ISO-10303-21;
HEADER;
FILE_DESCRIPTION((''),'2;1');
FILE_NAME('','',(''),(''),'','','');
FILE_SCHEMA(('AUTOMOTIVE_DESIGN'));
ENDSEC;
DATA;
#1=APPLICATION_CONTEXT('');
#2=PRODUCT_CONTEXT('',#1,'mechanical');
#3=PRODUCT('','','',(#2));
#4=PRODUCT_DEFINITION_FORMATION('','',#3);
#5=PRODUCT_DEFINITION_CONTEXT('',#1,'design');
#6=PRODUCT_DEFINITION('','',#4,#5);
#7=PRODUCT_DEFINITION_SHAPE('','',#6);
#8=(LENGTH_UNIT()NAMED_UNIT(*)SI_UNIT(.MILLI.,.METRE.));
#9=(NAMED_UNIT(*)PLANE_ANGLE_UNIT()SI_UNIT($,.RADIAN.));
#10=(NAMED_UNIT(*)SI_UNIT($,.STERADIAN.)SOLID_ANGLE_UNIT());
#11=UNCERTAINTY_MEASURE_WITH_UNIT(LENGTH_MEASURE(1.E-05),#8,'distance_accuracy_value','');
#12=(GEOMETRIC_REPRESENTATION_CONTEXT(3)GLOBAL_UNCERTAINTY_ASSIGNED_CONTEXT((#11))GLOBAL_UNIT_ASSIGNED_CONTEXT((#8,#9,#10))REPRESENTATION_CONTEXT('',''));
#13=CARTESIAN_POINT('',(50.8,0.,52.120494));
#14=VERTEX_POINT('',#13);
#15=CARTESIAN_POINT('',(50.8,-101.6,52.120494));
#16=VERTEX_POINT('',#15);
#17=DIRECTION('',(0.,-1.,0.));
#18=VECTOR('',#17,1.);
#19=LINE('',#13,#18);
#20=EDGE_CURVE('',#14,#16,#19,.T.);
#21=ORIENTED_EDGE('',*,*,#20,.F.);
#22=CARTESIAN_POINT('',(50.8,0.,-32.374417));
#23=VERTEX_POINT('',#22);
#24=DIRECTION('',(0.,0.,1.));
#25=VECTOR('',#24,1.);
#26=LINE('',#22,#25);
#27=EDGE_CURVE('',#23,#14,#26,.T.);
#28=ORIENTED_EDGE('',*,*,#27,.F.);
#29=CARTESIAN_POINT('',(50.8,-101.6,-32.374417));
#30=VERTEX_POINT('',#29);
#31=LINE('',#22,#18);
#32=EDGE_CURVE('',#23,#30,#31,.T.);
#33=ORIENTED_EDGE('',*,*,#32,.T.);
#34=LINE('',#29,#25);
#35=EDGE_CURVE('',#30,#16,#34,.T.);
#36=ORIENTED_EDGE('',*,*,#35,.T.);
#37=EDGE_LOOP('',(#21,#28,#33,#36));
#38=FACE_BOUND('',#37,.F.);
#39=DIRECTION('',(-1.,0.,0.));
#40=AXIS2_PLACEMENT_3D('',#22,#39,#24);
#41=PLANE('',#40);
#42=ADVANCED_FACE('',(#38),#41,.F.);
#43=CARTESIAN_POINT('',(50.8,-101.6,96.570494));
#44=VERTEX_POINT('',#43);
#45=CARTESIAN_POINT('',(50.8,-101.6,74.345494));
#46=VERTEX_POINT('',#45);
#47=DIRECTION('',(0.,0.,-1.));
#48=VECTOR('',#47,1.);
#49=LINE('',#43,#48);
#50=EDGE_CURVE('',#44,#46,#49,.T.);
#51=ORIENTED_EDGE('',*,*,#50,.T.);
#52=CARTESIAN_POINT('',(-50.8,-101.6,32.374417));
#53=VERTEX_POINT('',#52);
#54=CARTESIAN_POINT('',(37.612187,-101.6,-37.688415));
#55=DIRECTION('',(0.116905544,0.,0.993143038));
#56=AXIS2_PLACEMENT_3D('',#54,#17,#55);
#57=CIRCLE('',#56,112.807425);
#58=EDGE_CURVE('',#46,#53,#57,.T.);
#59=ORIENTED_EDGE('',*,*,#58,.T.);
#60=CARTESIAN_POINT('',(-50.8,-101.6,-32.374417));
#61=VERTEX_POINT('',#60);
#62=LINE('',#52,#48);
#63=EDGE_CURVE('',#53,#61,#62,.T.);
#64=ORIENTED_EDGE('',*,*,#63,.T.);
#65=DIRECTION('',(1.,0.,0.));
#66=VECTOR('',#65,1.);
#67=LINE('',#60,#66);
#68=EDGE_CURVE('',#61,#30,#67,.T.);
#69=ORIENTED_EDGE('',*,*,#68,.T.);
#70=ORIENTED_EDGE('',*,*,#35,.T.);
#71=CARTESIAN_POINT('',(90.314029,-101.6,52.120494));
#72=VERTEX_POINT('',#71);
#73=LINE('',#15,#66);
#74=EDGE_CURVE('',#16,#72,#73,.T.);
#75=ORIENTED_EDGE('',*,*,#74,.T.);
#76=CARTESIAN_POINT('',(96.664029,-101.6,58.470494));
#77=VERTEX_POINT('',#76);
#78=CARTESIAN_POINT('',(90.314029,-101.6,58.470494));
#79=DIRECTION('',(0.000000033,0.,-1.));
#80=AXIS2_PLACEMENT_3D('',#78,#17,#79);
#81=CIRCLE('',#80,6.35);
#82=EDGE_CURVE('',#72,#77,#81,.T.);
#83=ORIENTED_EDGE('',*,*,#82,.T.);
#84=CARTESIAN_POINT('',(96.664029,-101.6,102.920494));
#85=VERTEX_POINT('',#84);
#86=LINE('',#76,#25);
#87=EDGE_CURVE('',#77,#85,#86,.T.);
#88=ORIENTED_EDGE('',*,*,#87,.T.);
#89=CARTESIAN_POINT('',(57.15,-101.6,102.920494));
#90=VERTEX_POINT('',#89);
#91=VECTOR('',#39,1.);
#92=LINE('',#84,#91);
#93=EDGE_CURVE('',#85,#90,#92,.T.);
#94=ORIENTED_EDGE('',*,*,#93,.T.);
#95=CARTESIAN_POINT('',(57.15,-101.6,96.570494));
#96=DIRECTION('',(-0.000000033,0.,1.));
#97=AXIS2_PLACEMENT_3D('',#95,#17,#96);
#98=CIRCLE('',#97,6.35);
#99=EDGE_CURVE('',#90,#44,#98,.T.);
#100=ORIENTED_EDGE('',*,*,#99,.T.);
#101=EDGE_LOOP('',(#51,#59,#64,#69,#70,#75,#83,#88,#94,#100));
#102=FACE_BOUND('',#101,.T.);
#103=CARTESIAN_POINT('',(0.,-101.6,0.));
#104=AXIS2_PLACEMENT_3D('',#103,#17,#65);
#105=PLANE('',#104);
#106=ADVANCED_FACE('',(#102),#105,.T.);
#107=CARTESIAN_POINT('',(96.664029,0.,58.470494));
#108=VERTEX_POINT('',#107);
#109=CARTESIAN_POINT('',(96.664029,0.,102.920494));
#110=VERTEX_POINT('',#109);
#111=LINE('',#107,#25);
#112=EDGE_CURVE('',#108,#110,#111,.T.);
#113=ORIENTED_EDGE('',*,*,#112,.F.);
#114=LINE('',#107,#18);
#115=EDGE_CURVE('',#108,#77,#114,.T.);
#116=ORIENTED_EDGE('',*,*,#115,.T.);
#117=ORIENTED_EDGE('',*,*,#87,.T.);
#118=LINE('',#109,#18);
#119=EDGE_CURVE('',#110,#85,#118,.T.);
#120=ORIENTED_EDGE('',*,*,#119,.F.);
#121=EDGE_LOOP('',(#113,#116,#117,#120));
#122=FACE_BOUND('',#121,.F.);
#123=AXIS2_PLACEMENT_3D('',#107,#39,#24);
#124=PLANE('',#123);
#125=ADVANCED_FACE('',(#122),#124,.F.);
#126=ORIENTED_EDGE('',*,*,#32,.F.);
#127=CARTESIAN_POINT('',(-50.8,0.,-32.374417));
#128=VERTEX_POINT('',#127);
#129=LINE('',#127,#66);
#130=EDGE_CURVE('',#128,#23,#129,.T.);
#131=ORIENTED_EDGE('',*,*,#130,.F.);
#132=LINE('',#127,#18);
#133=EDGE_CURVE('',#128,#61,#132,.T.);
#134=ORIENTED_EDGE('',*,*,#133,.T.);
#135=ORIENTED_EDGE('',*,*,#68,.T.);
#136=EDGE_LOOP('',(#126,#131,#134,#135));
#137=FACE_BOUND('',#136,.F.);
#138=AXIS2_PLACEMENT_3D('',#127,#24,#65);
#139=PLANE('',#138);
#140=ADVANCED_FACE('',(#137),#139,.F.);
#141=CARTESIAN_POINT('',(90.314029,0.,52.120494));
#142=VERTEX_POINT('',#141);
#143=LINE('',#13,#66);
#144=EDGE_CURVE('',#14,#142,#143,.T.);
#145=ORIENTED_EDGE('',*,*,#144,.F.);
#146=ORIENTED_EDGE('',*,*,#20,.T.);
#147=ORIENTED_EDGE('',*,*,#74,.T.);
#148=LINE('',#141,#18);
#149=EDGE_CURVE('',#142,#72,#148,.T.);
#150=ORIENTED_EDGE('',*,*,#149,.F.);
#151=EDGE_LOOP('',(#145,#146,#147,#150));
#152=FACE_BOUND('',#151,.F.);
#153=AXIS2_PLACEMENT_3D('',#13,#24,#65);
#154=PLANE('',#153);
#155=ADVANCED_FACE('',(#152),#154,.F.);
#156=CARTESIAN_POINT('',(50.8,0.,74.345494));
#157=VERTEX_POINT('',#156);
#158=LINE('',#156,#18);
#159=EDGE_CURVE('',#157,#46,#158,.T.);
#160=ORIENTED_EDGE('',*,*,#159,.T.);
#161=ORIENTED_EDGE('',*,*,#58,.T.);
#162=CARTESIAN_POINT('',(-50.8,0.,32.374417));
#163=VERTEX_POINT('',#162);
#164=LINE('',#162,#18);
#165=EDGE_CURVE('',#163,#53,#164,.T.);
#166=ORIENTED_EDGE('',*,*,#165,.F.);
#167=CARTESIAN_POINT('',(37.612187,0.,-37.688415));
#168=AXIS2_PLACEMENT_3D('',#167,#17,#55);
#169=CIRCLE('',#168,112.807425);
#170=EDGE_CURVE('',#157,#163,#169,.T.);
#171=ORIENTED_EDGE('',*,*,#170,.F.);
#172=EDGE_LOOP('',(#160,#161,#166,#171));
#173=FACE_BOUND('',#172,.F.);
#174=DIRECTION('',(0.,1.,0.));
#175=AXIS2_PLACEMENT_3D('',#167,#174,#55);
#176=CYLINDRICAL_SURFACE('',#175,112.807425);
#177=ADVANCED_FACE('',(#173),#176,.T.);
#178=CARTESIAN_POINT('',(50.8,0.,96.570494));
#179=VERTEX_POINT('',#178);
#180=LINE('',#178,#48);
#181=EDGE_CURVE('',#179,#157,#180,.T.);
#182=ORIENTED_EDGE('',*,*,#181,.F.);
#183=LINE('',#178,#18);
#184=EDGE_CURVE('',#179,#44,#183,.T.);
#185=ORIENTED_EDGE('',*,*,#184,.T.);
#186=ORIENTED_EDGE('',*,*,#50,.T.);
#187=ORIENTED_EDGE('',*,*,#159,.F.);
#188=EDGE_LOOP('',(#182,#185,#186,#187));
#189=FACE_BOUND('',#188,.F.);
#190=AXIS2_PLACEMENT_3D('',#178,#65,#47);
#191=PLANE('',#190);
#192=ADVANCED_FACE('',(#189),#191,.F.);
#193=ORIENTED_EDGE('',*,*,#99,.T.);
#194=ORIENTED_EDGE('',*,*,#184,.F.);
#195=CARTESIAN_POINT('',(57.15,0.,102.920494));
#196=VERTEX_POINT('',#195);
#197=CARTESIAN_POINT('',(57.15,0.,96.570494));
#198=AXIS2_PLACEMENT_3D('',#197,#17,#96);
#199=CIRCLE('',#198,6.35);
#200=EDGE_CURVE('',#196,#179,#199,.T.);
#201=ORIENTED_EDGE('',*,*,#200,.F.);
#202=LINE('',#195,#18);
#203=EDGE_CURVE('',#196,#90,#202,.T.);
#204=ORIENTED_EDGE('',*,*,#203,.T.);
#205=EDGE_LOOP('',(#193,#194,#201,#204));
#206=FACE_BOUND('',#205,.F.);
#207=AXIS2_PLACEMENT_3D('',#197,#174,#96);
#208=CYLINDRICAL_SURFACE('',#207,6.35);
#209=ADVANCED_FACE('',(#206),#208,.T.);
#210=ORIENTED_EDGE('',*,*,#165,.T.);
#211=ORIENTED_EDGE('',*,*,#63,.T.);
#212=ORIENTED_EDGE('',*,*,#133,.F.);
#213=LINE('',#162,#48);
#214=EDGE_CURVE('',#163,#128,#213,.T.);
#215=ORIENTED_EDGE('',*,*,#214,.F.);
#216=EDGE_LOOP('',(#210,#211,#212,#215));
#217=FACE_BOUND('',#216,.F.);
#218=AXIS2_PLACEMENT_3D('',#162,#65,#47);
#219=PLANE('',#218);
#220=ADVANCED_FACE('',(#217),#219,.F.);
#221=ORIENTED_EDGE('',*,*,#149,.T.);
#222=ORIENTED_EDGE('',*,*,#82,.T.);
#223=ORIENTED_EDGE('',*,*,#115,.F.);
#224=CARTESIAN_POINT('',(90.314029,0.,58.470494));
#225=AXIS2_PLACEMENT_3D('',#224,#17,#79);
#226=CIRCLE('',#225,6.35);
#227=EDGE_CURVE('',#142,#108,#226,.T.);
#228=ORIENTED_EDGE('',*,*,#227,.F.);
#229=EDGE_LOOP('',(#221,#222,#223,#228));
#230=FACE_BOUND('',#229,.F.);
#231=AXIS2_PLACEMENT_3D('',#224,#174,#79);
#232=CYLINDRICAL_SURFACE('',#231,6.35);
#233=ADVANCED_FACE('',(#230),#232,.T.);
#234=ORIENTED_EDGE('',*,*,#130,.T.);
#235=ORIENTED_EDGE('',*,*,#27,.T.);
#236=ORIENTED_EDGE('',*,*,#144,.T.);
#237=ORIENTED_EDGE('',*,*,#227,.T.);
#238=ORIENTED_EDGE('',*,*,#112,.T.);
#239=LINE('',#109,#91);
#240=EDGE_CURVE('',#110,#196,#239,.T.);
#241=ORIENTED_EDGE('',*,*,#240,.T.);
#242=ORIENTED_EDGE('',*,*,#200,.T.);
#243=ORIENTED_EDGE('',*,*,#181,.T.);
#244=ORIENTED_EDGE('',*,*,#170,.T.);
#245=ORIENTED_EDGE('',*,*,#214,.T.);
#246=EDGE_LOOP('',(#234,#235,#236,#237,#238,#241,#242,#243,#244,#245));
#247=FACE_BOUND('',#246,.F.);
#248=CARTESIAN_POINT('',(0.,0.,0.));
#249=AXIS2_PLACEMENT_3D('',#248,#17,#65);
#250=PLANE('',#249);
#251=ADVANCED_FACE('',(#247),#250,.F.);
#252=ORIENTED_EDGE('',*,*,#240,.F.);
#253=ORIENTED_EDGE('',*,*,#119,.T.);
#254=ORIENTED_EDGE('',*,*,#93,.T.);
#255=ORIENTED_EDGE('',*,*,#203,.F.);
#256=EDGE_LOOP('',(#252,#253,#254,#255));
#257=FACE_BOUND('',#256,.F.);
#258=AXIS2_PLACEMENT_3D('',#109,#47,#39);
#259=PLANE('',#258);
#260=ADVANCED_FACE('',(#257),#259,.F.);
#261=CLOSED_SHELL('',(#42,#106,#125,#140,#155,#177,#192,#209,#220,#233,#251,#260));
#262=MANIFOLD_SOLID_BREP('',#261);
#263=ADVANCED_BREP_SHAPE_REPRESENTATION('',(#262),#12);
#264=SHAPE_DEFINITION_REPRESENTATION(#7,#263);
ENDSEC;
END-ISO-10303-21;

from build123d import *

# Parameters (mm, degrees)
F1_DEPTH = 101.6


with BuildPart() as f1:
    # F0 (on Front) → F1 (new body)
    with BuildSketch(Plane.XZ):
        Polygon((-50.8, -32.374417), (50.8, -32.374417), (50.8, 32.374417), (14.084613, 32.374417), (-50.8, 32.374417), align=None)
        with BuildLine():
            Line((14.084613, 32.374417), (50.8, 32.374417))
            Line((50.8, 32.374417), (50.8, 52.120494))
            Line((50.8, 52.120494), (50.8, 74.345494))
            ThreePointArc((50.8, 74.345494), (24.954765, 64.252521), (14.084613, 38.724417))
            Line((14.084613, 38.724417), (14.084613, 32.374417))
        make_face()
        with BuildLine():
            ThreePointArc((50.8, 74.345494), (-5.45833, 66.573015), (-50.8, 32.374417))
            Line((-50.8, 32.374417), (14.084613, 32.374417))
            Line((14.084613, 32.374417), (14.084613, 38.724417))
            ThreePointArc((14.084613, 38.724417), (24.954765, 64.252521), (50.8, 74.345494))
        make_face()
        with BuildLine():
            Line((50.8, 74.345494), (50.8, 52.120494))
            Line((50.8, 52.120494), (90.314029, 52.120494))
            ThreePointArc((90.314029, 52.120494), (94.804157, 53.980366), (96.664029, 58.470494))
            Line((96.664029, 58.470494), (96.664029, 102.920494))
            Line((96.664029, 102.920494), (57.15, 102.920494))
            ThreePointArc((57.15, 102.920494), (52.659872, 101.060622), (50.8, 96.570494))
            Line((50.8, 96.570494), (50.8, 74.345494))
        make_face()
    extrude(amount=F1_DEPTH)


solid = f1.part
